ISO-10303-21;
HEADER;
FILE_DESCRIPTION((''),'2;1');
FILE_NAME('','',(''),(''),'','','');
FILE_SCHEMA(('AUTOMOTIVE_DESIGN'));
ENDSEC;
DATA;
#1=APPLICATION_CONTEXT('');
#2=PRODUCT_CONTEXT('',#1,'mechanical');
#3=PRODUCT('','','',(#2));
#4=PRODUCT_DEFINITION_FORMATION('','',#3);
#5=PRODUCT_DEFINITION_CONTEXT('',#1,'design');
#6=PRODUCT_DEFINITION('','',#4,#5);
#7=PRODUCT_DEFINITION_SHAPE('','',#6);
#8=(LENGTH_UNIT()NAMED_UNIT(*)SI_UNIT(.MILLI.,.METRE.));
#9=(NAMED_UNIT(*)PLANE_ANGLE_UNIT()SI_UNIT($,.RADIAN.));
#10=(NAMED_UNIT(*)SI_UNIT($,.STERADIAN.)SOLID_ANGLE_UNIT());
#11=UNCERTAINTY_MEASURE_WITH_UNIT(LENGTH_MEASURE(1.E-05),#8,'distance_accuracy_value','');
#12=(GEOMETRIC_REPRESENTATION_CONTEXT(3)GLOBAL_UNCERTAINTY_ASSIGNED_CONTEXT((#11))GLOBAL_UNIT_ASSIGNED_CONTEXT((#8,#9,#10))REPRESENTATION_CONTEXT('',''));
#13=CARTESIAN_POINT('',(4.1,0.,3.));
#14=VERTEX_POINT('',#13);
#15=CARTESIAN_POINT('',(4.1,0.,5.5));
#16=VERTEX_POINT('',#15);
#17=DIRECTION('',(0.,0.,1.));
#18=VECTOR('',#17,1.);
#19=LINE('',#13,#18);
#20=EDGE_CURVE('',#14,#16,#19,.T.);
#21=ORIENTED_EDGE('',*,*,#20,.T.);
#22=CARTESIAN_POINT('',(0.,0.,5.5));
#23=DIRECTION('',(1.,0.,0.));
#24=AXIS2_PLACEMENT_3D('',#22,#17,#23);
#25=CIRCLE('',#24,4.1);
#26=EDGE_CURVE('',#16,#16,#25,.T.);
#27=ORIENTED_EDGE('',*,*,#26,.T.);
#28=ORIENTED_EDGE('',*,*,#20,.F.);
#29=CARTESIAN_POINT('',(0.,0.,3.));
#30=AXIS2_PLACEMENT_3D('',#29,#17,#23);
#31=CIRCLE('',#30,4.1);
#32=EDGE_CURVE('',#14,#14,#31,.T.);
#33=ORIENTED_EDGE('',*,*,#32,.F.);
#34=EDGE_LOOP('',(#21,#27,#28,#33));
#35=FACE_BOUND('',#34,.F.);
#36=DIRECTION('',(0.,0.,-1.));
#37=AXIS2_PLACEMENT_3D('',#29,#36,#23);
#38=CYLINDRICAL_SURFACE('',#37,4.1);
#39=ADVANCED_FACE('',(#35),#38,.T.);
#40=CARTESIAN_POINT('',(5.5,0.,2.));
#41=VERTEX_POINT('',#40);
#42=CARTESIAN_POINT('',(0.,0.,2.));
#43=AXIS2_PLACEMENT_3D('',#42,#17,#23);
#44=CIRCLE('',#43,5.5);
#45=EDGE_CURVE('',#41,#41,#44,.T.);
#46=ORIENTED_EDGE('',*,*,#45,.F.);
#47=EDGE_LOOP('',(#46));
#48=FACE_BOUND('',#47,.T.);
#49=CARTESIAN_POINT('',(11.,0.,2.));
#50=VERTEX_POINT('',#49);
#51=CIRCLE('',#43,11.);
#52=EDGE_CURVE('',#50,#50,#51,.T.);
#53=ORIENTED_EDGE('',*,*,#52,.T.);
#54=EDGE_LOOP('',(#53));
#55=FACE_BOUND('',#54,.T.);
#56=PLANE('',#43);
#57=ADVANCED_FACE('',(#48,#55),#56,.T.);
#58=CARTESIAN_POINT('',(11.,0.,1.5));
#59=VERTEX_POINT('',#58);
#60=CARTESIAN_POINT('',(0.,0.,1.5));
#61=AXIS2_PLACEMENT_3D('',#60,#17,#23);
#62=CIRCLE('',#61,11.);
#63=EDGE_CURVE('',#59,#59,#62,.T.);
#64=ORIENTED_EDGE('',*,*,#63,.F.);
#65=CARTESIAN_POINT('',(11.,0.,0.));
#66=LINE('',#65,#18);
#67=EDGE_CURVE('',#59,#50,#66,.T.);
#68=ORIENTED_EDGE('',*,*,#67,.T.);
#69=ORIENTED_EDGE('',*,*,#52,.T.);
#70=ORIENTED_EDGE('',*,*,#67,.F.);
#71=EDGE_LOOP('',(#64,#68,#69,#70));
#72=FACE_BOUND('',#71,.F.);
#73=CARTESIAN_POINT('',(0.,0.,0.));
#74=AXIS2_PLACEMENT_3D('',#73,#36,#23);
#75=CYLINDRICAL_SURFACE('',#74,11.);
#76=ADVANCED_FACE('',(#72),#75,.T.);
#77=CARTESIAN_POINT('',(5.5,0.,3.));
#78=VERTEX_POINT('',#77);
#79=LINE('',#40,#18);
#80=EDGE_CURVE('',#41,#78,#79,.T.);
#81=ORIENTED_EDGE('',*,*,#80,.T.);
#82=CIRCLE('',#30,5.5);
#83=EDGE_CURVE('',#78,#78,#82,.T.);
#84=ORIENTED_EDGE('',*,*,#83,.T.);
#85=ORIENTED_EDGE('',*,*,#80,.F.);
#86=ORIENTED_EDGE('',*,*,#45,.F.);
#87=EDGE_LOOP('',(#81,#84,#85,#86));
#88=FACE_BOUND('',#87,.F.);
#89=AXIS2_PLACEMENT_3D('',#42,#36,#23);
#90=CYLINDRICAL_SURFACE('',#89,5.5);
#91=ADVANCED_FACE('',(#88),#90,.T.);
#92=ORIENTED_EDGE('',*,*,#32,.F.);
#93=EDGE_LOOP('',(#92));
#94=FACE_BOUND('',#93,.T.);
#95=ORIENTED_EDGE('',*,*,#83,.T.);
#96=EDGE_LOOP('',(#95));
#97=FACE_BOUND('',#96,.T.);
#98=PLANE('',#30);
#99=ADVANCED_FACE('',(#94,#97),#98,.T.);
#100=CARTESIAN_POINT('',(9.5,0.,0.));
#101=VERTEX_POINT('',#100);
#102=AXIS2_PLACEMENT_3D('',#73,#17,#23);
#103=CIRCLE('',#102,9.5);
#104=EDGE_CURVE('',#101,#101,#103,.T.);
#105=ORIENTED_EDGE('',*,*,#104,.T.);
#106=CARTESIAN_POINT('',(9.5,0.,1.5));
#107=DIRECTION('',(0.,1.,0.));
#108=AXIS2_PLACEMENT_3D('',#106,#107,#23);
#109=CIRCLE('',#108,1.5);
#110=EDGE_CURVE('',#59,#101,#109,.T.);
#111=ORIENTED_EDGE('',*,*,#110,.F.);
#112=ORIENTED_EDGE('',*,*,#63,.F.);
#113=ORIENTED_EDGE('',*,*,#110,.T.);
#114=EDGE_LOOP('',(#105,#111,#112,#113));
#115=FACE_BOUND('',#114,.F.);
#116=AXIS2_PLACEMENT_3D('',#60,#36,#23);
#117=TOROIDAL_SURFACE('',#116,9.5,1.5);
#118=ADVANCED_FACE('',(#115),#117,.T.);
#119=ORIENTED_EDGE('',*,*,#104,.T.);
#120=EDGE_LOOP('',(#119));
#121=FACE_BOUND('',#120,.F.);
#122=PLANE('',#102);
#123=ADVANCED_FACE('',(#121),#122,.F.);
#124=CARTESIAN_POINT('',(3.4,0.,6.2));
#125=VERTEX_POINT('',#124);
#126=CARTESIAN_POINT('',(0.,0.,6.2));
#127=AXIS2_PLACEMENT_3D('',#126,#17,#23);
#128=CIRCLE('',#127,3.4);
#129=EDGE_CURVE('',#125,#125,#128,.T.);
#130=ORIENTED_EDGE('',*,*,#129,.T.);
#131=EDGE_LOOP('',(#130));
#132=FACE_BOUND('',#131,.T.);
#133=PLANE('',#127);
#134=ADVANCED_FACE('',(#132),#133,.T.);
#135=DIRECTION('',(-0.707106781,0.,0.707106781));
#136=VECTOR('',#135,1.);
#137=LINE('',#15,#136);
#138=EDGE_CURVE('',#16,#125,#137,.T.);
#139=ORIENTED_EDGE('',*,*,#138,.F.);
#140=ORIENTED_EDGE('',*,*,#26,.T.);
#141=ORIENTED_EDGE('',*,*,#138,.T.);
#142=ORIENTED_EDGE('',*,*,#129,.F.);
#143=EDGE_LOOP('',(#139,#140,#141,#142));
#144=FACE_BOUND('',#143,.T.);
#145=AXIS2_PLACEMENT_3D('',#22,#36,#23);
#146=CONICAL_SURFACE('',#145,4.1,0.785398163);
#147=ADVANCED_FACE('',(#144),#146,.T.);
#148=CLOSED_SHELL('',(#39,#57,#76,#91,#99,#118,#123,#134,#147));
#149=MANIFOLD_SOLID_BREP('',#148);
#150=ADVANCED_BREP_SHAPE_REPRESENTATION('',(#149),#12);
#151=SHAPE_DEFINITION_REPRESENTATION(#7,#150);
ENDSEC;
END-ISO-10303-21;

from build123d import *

# Parameters (mm, degrees)
F0_R     = 11
F1_DEPTH = 2
F2_R     = 5.5
F3_DEPTH = 1
F4_R     = 4.1
F5_DEPTH = 3.2
F6_R     = 1.5
F7_SIZE  = 0.7


with BuildPart() as f1:
    # F0 (on Top) → F1 (new body)
    with BuildSketch(Plane.XY):
        Circle(F0_R)
    extrude(amount=F1_DEPTH)

    # F2 (on face) → F3 (join)
    with BuildSketch(Plane.XY.offset(2)):
        Circle(F2_R)
    extrude(amount=F3_DEPTH)

    # F4 (on face) → F5 (join)
    with BuildSketch(Plane.XY.offset(3)):
        Circle(F4_R)
    extrude(amount=F5_DEPTH)

    # F6
    f6_edges = [f1.edges().sort_by_distance(p)[0] for p in [
        (-11, 0, 0),
    ]]
    fillet(f6_edges, radius=F6_R)

    # F7
    f7_edges = [f1.edges().sort_by_distance(p)[0] for p in [
        (-4.1, 0, 6.2),
    ]]
    chamfer(f7_edges, length=F7_SIZE)


solid = f1.part
